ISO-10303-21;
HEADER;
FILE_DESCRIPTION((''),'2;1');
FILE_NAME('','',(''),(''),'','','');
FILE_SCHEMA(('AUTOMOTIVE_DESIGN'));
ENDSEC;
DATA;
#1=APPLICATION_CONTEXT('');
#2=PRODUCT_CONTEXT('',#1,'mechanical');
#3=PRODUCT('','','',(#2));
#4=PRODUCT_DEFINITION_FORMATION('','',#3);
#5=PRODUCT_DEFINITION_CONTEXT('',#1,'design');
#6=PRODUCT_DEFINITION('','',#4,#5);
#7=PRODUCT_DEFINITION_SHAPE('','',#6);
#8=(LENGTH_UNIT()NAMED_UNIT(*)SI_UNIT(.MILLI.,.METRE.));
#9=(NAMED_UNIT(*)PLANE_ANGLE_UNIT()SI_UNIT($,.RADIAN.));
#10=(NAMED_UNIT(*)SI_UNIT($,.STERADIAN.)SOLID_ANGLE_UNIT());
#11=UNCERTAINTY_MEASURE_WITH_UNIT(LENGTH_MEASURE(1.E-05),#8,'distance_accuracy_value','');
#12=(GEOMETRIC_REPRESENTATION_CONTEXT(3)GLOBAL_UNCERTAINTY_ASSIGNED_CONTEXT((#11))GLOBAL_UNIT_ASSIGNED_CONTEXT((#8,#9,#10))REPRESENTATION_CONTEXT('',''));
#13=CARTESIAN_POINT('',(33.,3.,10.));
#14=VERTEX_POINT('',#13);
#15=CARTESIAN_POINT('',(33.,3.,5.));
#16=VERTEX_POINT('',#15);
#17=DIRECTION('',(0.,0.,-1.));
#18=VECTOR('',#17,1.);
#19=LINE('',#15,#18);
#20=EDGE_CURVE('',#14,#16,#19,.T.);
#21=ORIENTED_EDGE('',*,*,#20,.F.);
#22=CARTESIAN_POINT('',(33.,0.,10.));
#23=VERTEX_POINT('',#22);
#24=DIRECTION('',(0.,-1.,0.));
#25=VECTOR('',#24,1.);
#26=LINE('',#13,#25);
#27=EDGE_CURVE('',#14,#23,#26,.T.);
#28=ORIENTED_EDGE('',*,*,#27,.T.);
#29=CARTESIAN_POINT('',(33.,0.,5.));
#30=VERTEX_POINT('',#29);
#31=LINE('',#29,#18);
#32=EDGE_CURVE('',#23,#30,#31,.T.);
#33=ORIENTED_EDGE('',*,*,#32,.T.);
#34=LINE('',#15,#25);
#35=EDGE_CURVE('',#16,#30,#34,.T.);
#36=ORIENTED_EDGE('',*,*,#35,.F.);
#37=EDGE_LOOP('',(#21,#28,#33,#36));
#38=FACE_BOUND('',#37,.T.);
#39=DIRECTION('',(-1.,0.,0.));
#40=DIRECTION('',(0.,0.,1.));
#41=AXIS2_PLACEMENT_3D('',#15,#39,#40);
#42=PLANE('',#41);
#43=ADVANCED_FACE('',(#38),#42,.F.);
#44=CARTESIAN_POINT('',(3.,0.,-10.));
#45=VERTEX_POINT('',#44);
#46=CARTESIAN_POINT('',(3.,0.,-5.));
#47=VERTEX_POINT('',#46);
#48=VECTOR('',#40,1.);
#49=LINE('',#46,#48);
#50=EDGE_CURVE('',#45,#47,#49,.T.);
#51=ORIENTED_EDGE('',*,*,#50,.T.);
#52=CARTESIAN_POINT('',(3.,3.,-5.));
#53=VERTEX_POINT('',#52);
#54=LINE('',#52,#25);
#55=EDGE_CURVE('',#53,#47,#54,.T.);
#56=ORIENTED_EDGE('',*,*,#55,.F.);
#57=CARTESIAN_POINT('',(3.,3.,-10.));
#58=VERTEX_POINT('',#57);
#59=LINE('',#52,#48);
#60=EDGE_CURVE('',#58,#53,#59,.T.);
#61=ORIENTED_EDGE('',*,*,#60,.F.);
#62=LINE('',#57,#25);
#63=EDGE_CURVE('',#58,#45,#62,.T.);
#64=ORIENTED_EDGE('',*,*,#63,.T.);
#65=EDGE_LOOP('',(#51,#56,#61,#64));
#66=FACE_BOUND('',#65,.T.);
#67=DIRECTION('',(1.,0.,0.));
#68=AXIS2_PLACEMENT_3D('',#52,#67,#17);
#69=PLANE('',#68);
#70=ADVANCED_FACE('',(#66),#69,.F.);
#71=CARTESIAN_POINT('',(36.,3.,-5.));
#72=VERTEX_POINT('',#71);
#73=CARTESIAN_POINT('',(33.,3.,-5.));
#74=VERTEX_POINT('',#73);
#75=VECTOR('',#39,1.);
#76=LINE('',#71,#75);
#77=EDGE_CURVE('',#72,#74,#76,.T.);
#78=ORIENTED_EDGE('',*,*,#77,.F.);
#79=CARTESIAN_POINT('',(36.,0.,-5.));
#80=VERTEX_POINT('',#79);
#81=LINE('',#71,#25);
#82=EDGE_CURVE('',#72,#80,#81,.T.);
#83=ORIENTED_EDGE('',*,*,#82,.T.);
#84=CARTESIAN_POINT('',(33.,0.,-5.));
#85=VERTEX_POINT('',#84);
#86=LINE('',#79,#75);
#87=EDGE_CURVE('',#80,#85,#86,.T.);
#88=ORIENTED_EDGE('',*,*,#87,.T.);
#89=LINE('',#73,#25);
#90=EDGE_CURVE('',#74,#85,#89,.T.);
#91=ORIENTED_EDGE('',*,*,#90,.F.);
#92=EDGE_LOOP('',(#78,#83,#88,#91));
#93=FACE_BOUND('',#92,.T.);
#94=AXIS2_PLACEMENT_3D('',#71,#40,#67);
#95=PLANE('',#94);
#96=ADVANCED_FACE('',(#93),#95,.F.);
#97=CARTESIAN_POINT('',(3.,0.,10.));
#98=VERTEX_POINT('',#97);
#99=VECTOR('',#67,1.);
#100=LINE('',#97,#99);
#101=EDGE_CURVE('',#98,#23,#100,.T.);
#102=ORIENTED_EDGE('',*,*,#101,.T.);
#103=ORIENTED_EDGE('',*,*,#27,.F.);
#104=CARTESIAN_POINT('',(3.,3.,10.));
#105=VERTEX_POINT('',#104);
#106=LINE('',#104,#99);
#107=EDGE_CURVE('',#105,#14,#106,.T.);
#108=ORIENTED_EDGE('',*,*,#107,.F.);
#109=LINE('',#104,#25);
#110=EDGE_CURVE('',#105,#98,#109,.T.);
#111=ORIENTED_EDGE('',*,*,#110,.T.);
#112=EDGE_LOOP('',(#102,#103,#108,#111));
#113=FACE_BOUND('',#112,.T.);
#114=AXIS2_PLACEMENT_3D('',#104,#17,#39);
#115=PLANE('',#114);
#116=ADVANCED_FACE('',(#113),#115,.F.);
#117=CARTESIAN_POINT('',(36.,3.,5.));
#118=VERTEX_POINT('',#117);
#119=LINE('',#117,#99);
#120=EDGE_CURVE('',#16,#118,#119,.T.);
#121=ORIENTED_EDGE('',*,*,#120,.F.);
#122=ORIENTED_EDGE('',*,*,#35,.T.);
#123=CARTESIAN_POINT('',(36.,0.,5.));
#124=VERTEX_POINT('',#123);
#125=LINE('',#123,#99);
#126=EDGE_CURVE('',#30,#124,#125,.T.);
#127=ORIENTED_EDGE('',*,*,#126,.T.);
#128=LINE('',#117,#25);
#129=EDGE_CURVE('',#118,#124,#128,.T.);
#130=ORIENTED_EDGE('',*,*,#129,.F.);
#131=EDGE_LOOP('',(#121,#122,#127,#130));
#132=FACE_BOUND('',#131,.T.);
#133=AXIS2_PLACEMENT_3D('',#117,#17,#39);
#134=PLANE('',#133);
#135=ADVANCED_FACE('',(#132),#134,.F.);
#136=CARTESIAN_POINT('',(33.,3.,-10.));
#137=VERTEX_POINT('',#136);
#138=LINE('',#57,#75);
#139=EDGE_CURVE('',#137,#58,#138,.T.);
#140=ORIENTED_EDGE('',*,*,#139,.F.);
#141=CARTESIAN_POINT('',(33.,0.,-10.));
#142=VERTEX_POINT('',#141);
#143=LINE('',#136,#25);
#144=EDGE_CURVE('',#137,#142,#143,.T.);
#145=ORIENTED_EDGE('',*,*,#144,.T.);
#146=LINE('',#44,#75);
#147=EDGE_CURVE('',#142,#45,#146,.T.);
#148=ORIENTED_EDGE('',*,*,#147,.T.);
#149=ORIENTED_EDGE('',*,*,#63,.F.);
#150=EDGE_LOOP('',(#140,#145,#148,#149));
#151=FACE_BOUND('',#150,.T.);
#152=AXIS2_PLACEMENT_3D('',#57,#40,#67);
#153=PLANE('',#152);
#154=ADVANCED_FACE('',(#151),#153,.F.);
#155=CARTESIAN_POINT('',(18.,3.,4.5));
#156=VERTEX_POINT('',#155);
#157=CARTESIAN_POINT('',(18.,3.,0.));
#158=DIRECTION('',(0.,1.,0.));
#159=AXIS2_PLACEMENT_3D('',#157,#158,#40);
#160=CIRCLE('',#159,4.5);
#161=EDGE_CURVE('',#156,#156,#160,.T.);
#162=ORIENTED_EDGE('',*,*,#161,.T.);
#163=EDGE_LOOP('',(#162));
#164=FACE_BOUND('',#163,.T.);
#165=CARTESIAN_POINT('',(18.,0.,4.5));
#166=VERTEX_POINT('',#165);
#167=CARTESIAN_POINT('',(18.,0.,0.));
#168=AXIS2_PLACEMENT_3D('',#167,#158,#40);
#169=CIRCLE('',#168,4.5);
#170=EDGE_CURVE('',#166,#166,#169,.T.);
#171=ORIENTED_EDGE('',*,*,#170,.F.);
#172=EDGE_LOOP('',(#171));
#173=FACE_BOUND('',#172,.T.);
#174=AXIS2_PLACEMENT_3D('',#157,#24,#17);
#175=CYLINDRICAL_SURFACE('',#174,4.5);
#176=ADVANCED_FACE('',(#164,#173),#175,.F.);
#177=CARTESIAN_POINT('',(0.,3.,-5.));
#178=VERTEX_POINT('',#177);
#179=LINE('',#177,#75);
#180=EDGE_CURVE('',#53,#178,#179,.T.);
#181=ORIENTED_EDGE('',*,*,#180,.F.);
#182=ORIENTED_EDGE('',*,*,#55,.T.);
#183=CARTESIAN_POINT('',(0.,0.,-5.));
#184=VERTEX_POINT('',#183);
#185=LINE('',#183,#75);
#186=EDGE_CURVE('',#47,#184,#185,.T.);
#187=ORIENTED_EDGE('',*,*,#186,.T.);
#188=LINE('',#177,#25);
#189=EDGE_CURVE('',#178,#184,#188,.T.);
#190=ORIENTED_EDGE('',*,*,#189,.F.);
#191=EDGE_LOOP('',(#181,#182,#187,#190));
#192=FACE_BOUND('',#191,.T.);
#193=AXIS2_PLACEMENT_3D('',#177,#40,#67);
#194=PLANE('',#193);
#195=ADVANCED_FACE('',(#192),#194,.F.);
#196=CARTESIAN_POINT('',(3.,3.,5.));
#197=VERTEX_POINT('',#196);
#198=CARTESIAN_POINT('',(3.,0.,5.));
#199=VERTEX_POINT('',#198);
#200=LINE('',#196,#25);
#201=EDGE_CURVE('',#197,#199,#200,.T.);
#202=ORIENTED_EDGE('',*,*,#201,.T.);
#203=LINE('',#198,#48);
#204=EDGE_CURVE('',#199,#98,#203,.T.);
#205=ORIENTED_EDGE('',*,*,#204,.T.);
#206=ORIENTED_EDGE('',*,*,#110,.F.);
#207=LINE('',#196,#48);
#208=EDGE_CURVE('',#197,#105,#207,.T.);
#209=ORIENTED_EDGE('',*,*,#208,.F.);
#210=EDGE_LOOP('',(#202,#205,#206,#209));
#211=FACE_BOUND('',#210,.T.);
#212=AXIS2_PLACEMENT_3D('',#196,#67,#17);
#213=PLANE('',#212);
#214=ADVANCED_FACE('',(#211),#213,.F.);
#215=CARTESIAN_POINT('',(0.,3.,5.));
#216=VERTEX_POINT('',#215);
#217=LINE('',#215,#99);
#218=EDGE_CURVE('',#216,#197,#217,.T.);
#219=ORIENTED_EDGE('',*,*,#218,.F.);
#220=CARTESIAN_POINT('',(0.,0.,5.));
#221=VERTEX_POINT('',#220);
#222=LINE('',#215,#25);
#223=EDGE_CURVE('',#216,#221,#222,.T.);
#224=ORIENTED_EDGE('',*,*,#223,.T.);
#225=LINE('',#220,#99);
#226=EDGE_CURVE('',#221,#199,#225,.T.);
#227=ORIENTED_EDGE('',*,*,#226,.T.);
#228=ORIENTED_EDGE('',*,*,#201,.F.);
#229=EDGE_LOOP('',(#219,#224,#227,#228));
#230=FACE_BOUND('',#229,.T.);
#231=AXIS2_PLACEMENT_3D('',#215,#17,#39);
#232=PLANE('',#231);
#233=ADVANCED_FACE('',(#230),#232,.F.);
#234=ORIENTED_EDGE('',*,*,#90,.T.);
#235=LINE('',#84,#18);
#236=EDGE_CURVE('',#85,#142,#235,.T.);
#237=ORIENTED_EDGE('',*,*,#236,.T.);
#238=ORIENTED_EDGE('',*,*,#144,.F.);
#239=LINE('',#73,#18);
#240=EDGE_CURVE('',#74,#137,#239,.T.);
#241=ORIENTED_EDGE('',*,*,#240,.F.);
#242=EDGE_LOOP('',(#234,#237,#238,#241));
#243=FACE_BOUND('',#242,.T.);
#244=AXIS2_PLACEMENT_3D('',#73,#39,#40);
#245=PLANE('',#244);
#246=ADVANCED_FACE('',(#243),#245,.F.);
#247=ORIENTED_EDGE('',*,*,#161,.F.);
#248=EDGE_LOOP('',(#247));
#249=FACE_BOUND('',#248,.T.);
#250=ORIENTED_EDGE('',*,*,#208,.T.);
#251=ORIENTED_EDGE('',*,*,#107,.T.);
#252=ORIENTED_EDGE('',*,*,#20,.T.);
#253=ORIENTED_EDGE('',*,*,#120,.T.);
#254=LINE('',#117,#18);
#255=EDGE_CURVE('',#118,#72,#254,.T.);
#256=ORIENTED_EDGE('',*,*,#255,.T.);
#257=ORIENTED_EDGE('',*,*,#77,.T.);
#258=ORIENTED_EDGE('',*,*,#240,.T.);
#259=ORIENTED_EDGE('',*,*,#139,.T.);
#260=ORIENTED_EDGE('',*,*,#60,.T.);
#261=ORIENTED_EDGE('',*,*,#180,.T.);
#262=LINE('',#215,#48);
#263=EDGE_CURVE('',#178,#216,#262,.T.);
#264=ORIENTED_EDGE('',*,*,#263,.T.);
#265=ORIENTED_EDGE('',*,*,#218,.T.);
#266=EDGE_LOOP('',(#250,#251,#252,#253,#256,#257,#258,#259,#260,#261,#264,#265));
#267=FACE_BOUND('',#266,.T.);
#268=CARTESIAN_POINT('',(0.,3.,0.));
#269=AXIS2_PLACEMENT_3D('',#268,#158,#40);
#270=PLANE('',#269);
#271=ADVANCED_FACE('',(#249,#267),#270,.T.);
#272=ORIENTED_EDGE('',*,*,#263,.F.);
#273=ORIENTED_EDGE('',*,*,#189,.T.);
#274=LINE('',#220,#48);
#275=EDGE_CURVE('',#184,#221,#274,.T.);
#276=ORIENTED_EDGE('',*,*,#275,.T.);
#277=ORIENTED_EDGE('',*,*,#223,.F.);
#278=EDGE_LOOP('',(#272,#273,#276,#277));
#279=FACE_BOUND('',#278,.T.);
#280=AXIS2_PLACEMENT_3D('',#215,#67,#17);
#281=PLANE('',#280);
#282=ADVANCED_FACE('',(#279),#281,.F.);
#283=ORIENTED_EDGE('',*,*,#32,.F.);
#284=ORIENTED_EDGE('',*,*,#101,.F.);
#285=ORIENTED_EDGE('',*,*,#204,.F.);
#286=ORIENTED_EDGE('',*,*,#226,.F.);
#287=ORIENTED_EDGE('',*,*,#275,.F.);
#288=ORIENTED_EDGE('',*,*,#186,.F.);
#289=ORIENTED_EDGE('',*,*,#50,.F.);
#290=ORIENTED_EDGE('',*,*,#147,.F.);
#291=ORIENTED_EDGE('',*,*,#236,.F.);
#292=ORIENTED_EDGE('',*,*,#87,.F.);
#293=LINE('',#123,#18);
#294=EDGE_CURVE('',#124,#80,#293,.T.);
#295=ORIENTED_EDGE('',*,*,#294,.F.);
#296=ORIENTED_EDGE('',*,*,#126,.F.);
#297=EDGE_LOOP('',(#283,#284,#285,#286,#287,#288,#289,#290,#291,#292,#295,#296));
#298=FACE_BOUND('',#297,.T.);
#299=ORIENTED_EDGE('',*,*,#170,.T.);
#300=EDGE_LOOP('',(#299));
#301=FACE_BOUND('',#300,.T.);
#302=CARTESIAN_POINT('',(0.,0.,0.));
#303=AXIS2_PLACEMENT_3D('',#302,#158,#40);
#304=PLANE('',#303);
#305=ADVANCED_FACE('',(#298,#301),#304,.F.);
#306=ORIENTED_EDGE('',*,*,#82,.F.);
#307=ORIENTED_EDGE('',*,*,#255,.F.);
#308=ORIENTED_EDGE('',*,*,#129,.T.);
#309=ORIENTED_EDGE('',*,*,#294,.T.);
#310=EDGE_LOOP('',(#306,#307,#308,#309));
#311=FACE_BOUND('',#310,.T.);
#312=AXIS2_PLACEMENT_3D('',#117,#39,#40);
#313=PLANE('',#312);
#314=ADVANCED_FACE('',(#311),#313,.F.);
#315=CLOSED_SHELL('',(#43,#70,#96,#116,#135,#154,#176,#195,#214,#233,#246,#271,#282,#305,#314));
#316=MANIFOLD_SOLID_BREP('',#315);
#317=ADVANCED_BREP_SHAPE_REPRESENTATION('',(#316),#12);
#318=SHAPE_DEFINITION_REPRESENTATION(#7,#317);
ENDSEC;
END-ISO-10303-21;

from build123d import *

# Parameters (mm, degrees)
CROQUIS1_R              = 4.5
SALIENTE_EXTRUIR1_DEPTH = 3


with BuildPart() as part:
    # Croquis1 → Saliente-Extruir1 (new body)
    with BuildSketch(Plane(origin=(0, 0, 0), x_dir=(1, 0, 0), z_dir=(0, 1, 0))):
        Polygon((0, -5), (0, 5), (3, 5), (3, 10), (33, 10), (33, 5), (36, 5), (36, -5), (33, -5), (33, -10), (3, -10), (3, -5), align=None)
        with Locations(Location((18, 0, 0), (0, 0, 270))):
            Circle(CROQUIS1_R, mode=Mode.SUBTRACT)
    extrude(amount=SALIENTE_EXTRUIR1_DEPTH)


solid = part.part
